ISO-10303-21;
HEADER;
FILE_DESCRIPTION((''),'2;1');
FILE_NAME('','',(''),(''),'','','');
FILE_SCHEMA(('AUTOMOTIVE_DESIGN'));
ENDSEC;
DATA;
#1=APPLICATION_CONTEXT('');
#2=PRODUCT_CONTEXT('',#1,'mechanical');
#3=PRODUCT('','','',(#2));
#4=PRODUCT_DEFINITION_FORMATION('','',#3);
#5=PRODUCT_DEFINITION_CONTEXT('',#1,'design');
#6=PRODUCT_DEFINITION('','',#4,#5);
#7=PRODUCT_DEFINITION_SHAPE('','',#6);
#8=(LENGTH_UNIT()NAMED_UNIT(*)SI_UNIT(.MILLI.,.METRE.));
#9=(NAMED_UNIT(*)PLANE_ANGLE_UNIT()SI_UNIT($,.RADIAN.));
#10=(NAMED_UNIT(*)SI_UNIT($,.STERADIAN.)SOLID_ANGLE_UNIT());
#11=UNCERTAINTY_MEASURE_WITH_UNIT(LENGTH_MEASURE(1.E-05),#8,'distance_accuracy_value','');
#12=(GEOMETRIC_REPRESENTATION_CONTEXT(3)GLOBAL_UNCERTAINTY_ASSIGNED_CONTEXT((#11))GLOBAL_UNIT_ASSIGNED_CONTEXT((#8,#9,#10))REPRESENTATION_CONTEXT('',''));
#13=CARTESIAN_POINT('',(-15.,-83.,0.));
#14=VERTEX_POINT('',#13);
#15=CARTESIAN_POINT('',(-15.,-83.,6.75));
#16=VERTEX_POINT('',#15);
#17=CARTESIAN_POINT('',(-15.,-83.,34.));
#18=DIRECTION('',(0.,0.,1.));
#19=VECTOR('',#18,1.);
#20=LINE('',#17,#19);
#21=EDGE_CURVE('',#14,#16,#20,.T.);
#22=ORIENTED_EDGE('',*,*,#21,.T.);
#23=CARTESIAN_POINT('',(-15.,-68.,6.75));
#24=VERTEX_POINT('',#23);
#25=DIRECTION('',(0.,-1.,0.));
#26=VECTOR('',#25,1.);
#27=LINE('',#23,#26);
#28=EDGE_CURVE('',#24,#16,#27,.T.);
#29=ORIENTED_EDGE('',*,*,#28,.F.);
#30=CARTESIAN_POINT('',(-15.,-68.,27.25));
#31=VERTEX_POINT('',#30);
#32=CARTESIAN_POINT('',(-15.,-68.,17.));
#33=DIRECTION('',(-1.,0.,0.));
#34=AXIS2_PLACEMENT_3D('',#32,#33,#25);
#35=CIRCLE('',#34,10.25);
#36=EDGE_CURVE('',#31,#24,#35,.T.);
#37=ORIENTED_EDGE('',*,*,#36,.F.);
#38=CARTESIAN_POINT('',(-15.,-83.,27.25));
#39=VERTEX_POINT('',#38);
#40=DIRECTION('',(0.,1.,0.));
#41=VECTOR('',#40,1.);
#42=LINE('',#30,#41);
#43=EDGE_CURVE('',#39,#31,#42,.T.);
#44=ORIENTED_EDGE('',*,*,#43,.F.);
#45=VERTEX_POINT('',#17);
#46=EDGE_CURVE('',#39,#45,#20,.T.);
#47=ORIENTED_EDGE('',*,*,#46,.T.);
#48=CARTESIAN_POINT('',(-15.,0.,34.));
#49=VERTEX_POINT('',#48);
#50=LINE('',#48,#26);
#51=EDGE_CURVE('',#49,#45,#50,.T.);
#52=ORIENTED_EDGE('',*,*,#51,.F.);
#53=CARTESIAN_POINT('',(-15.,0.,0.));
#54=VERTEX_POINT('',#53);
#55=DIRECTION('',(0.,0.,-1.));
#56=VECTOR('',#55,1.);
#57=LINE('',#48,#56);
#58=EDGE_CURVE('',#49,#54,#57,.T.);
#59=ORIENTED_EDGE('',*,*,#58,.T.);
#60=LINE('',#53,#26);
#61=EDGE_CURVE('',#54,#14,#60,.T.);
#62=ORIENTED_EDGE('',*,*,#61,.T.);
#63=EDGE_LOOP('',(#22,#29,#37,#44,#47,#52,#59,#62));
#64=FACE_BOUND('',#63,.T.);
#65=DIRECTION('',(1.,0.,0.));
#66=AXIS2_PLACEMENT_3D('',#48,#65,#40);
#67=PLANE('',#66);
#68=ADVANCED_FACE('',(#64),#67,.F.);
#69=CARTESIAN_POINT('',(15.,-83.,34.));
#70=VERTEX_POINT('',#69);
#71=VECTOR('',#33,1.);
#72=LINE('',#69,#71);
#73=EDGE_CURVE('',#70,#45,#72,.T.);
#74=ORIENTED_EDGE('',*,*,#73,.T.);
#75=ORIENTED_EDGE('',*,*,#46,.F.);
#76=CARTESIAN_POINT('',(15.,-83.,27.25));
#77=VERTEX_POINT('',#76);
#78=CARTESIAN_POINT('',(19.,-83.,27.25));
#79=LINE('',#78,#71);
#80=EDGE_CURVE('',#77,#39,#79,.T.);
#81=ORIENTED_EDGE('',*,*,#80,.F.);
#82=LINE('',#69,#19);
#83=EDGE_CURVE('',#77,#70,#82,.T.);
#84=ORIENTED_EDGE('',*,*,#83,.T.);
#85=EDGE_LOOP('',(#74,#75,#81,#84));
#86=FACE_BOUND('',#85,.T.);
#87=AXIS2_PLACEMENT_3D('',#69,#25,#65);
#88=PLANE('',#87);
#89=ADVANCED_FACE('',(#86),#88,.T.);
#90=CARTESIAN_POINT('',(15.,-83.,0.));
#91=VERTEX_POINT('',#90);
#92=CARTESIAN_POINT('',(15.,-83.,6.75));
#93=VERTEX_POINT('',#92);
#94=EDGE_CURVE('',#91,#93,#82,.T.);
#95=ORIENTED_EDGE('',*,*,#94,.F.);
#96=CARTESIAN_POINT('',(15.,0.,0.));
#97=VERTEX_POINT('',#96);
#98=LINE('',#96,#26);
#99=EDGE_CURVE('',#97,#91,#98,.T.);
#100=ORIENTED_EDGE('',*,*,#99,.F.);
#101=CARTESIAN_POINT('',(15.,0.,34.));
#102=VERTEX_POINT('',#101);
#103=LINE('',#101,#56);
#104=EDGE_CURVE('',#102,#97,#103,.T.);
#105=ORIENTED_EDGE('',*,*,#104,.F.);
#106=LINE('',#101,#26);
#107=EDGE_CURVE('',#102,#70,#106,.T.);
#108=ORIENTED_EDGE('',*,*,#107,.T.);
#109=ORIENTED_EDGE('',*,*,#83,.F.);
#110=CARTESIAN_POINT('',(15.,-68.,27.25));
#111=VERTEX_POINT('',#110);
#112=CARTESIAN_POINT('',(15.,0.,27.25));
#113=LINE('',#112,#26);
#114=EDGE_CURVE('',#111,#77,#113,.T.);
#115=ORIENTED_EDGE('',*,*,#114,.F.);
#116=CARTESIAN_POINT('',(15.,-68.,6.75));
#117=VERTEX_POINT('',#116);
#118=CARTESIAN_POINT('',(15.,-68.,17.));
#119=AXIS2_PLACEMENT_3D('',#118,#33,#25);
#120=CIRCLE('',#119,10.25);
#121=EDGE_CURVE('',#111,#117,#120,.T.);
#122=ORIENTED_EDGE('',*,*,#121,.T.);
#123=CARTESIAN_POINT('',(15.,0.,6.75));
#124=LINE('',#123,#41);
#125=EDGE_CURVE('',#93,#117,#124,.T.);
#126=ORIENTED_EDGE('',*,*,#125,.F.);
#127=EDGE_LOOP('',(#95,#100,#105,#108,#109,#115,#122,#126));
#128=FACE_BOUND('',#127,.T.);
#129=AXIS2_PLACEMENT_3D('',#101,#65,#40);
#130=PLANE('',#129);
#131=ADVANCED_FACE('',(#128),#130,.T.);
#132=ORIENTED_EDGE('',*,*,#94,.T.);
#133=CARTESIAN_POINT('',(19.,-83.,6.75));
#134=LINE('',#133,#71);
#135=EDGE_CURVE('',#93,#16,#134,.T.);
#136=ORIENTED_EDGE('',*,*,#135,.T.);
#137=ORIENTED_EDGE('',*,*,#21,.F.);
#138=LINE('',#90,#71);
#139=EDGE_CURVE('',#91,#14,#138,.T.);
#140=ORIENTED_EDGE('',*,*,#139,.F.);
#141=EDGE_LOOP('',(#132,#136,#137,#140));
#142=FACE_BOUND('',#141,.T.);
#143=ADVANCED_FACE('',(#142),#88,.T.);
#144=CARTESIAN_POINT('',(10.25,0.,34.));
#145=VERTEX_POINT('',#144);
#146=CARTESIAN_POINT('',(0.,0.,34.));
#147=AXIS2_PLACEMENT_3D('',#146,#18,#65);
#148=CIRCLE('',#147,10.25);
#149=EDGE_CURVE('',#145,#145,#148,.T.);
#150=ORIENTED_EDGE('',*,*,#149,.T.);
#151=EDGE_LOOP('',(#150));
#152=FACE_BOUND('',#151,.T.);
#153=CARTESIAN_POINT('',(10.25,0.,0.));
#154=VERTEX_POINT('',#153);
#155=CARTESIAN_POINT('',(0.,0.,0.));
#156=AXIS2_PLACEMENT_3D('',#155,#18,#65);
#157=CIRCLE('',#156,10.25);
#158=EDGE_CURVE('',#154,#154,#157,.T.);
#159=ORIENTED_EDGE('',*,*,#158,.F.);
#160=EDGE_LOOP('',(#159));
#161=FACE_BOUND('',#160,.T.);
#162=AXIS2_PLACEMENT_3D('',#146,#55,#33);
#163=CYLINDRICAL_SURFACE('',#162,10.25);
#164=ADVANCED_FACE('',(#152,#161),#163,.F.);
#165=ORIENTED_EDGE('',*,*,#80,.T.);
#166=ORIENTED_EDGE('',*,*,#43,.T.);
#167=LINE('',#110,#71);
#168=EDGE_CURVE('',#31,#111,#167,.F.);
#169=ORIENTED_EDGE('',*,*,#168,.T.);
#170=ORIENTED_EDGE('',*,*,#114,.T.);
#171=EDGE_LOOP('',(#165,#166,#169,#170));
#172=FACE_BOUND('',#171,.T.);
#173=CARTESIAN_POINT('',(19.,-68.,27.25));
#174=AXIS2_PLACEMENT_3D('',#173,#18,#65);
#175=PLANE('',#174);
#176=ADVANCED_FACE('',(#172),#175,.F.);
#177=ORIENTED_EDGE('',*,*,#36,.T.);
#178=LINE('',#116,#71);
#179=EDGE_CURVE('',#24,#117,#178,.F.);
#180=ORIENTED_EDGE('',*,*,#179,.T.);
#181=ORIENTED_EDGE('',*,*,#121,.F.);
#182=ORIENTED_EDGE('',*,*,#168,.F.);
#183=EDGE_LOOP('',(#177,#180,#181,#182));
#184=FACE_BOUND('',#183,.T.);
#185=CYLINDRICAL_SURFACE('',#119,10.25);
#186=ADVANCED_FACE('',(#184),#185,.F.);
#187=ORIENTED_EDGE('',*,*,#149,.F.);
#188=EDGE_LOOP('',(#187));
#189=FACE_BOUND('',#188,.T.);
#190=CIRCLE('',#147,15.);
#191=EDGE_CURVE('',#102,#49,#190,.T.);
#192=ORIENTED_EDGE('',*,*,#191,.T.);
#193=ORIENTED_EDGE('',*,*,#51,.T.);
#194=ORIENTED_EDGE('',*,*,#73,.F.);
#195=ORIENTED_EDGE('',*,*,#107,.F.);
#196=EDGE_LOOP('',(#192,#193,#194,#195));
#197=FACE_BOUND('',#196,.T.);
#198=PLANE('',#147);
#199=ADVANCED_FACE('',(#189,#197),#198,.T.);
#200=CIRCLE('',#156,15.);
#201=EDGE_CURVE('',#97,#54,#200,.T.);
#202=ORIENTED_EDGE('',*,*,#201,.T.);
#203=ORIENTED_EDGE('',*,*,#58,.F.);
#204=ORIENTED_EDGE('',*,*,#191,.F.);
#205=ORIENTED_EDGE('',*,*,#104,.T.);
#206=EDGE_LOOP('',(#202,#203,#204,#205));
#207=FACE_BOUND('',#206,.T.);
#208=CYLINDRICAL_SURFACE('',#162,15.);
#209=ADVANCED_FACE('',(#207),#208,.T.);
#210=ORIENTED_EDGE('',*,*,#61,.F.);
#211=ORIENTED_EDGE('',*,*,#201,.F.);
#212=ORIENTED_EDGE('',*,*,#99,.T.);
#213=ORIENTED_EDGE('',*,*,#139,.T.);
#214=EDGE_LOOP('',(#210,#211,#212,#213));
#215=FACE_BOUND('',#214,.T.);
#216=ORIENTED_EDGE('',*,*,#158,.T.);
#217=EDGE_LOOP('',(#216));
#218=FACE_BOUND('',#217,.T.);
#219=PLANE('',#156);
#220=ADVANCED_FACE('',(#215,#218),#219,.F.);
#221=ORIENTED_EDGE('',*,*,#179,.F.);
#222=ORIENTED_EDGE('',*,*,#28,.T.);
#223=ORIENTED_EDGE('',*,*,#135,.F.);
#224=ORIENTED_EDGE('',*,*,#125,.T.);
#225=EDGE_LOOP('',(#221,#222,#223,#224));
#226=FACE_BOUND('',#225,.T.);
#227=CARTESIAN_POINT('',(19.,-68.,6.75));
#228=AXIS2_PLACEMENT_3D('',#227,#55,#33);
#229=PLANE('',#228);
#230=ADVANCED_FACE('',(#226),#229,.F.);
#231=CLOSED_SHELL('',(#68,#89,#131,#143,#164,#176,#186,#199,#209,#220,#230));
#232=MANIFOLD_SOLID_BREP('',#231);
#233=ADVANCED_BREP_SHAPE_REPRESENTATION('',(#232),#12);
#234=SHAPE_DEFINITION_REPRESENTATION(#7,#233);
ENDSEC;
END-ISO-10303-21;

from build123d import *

# Parameters (mm, degrees)
BOSS_EXTRUDE1_DEPTH = 34
SKETCH2_W           = 34
SKETCH2_H           = 15
BOSS_EXTRUDE2_DEPTH = 30
SKETCH3_R           = 10.25
CUT_EXTRUDE1_DEPTH  = 30
SKETCH4_W           = 20.5
SKETCH4_H           = 15
CUT_EXTRUDE2_DEPTH  = 34


with BuildPart() as part:
    # Sketch1 → Boss-Extrude1 (new body)
    # profile 1 of 3: a face of its own
    with BuildSketch(Plane.XY):
        with BuildLine():
            Line((-15, 0), (-15, -68))
            ThreePointArc((-15, -68), (0, -83), (15, -68))
            Line((15, -68), (15, 0))
            ThreePointArc((15, 0), (0, 15), (-15, 0))
        make_face()
        with BuildLine():
            ThreePointArc((-10.25, -68), (0, -78.25), (10.25, -68))
            Line((10.25, -68), (10.25, 0))
            ThreePointArc((10.25, 0), (0, 10.25), (-10.25, 0))
            Line((-10.25, 0), (-10.25, -68))
        make_face(mode=Mode.SUBTRACT)
    # profile 2 of 3: a face of its own
    with BuildSketch(Plane.XY):
        with BuildLine():
            Line((10.25, -68), (10.25, 0))
            ThreePointArc((10.25, 0), (0, -10.25), (-10.25, 0))
            Line((-10.25, 0), (-10.25, -68))
            ThreePointArc((-10.25, -68), (0, -57.75), (10.25, -68))
        make_face()
    # profile 3 of 3: a face of its own
    with BuildSketch(Plane.XY):
        with BuildLine():
            ThreePointArc((-10.25, -68), (0, -78.25), (10.25, -68))
            ThreePointArc((10.25, -68), (0, -57.75), (-10.25, -68))
        make_face()
    extrude(amount=BOSS_EXTRUDE1_DEPTH)

    # Sketch2 → Boss-Extrude2 (add)
    with BuildSketch(Plane.ZY.offset(15)):
        with Locations((17, -75.5)):
            Rectangle(SKETCH2_W, SKETCH2_H)
    extrude(amount=-BOSS_EXTRUDE2_DEPTH)

    # Sketch3 → Cut-Extrude1 (cut)
    with BuildSketch(Plane.ZY.offset(15)):
        with Locations(Location((17, -68, 0), (0, 0, 270))):
            Circle(SKETCH3_R)
    extrude(amount=-CUT_EXTRUDE1_DEPTH, mode=Mode.SUBTRACT)

    # Sketch4 → Cut-Extrude2 (cut)
    with BuildSketch(Plane.ZY.offset(15)):
        with Locations((17, -75.5)):
            Rectangle(SKETCH4_W, SKETCH4_H)
    extrude(amount=-CUT_EXTRUDE2_DEPTH, mode=Mode.SUBTRACT)


solid = part.part
